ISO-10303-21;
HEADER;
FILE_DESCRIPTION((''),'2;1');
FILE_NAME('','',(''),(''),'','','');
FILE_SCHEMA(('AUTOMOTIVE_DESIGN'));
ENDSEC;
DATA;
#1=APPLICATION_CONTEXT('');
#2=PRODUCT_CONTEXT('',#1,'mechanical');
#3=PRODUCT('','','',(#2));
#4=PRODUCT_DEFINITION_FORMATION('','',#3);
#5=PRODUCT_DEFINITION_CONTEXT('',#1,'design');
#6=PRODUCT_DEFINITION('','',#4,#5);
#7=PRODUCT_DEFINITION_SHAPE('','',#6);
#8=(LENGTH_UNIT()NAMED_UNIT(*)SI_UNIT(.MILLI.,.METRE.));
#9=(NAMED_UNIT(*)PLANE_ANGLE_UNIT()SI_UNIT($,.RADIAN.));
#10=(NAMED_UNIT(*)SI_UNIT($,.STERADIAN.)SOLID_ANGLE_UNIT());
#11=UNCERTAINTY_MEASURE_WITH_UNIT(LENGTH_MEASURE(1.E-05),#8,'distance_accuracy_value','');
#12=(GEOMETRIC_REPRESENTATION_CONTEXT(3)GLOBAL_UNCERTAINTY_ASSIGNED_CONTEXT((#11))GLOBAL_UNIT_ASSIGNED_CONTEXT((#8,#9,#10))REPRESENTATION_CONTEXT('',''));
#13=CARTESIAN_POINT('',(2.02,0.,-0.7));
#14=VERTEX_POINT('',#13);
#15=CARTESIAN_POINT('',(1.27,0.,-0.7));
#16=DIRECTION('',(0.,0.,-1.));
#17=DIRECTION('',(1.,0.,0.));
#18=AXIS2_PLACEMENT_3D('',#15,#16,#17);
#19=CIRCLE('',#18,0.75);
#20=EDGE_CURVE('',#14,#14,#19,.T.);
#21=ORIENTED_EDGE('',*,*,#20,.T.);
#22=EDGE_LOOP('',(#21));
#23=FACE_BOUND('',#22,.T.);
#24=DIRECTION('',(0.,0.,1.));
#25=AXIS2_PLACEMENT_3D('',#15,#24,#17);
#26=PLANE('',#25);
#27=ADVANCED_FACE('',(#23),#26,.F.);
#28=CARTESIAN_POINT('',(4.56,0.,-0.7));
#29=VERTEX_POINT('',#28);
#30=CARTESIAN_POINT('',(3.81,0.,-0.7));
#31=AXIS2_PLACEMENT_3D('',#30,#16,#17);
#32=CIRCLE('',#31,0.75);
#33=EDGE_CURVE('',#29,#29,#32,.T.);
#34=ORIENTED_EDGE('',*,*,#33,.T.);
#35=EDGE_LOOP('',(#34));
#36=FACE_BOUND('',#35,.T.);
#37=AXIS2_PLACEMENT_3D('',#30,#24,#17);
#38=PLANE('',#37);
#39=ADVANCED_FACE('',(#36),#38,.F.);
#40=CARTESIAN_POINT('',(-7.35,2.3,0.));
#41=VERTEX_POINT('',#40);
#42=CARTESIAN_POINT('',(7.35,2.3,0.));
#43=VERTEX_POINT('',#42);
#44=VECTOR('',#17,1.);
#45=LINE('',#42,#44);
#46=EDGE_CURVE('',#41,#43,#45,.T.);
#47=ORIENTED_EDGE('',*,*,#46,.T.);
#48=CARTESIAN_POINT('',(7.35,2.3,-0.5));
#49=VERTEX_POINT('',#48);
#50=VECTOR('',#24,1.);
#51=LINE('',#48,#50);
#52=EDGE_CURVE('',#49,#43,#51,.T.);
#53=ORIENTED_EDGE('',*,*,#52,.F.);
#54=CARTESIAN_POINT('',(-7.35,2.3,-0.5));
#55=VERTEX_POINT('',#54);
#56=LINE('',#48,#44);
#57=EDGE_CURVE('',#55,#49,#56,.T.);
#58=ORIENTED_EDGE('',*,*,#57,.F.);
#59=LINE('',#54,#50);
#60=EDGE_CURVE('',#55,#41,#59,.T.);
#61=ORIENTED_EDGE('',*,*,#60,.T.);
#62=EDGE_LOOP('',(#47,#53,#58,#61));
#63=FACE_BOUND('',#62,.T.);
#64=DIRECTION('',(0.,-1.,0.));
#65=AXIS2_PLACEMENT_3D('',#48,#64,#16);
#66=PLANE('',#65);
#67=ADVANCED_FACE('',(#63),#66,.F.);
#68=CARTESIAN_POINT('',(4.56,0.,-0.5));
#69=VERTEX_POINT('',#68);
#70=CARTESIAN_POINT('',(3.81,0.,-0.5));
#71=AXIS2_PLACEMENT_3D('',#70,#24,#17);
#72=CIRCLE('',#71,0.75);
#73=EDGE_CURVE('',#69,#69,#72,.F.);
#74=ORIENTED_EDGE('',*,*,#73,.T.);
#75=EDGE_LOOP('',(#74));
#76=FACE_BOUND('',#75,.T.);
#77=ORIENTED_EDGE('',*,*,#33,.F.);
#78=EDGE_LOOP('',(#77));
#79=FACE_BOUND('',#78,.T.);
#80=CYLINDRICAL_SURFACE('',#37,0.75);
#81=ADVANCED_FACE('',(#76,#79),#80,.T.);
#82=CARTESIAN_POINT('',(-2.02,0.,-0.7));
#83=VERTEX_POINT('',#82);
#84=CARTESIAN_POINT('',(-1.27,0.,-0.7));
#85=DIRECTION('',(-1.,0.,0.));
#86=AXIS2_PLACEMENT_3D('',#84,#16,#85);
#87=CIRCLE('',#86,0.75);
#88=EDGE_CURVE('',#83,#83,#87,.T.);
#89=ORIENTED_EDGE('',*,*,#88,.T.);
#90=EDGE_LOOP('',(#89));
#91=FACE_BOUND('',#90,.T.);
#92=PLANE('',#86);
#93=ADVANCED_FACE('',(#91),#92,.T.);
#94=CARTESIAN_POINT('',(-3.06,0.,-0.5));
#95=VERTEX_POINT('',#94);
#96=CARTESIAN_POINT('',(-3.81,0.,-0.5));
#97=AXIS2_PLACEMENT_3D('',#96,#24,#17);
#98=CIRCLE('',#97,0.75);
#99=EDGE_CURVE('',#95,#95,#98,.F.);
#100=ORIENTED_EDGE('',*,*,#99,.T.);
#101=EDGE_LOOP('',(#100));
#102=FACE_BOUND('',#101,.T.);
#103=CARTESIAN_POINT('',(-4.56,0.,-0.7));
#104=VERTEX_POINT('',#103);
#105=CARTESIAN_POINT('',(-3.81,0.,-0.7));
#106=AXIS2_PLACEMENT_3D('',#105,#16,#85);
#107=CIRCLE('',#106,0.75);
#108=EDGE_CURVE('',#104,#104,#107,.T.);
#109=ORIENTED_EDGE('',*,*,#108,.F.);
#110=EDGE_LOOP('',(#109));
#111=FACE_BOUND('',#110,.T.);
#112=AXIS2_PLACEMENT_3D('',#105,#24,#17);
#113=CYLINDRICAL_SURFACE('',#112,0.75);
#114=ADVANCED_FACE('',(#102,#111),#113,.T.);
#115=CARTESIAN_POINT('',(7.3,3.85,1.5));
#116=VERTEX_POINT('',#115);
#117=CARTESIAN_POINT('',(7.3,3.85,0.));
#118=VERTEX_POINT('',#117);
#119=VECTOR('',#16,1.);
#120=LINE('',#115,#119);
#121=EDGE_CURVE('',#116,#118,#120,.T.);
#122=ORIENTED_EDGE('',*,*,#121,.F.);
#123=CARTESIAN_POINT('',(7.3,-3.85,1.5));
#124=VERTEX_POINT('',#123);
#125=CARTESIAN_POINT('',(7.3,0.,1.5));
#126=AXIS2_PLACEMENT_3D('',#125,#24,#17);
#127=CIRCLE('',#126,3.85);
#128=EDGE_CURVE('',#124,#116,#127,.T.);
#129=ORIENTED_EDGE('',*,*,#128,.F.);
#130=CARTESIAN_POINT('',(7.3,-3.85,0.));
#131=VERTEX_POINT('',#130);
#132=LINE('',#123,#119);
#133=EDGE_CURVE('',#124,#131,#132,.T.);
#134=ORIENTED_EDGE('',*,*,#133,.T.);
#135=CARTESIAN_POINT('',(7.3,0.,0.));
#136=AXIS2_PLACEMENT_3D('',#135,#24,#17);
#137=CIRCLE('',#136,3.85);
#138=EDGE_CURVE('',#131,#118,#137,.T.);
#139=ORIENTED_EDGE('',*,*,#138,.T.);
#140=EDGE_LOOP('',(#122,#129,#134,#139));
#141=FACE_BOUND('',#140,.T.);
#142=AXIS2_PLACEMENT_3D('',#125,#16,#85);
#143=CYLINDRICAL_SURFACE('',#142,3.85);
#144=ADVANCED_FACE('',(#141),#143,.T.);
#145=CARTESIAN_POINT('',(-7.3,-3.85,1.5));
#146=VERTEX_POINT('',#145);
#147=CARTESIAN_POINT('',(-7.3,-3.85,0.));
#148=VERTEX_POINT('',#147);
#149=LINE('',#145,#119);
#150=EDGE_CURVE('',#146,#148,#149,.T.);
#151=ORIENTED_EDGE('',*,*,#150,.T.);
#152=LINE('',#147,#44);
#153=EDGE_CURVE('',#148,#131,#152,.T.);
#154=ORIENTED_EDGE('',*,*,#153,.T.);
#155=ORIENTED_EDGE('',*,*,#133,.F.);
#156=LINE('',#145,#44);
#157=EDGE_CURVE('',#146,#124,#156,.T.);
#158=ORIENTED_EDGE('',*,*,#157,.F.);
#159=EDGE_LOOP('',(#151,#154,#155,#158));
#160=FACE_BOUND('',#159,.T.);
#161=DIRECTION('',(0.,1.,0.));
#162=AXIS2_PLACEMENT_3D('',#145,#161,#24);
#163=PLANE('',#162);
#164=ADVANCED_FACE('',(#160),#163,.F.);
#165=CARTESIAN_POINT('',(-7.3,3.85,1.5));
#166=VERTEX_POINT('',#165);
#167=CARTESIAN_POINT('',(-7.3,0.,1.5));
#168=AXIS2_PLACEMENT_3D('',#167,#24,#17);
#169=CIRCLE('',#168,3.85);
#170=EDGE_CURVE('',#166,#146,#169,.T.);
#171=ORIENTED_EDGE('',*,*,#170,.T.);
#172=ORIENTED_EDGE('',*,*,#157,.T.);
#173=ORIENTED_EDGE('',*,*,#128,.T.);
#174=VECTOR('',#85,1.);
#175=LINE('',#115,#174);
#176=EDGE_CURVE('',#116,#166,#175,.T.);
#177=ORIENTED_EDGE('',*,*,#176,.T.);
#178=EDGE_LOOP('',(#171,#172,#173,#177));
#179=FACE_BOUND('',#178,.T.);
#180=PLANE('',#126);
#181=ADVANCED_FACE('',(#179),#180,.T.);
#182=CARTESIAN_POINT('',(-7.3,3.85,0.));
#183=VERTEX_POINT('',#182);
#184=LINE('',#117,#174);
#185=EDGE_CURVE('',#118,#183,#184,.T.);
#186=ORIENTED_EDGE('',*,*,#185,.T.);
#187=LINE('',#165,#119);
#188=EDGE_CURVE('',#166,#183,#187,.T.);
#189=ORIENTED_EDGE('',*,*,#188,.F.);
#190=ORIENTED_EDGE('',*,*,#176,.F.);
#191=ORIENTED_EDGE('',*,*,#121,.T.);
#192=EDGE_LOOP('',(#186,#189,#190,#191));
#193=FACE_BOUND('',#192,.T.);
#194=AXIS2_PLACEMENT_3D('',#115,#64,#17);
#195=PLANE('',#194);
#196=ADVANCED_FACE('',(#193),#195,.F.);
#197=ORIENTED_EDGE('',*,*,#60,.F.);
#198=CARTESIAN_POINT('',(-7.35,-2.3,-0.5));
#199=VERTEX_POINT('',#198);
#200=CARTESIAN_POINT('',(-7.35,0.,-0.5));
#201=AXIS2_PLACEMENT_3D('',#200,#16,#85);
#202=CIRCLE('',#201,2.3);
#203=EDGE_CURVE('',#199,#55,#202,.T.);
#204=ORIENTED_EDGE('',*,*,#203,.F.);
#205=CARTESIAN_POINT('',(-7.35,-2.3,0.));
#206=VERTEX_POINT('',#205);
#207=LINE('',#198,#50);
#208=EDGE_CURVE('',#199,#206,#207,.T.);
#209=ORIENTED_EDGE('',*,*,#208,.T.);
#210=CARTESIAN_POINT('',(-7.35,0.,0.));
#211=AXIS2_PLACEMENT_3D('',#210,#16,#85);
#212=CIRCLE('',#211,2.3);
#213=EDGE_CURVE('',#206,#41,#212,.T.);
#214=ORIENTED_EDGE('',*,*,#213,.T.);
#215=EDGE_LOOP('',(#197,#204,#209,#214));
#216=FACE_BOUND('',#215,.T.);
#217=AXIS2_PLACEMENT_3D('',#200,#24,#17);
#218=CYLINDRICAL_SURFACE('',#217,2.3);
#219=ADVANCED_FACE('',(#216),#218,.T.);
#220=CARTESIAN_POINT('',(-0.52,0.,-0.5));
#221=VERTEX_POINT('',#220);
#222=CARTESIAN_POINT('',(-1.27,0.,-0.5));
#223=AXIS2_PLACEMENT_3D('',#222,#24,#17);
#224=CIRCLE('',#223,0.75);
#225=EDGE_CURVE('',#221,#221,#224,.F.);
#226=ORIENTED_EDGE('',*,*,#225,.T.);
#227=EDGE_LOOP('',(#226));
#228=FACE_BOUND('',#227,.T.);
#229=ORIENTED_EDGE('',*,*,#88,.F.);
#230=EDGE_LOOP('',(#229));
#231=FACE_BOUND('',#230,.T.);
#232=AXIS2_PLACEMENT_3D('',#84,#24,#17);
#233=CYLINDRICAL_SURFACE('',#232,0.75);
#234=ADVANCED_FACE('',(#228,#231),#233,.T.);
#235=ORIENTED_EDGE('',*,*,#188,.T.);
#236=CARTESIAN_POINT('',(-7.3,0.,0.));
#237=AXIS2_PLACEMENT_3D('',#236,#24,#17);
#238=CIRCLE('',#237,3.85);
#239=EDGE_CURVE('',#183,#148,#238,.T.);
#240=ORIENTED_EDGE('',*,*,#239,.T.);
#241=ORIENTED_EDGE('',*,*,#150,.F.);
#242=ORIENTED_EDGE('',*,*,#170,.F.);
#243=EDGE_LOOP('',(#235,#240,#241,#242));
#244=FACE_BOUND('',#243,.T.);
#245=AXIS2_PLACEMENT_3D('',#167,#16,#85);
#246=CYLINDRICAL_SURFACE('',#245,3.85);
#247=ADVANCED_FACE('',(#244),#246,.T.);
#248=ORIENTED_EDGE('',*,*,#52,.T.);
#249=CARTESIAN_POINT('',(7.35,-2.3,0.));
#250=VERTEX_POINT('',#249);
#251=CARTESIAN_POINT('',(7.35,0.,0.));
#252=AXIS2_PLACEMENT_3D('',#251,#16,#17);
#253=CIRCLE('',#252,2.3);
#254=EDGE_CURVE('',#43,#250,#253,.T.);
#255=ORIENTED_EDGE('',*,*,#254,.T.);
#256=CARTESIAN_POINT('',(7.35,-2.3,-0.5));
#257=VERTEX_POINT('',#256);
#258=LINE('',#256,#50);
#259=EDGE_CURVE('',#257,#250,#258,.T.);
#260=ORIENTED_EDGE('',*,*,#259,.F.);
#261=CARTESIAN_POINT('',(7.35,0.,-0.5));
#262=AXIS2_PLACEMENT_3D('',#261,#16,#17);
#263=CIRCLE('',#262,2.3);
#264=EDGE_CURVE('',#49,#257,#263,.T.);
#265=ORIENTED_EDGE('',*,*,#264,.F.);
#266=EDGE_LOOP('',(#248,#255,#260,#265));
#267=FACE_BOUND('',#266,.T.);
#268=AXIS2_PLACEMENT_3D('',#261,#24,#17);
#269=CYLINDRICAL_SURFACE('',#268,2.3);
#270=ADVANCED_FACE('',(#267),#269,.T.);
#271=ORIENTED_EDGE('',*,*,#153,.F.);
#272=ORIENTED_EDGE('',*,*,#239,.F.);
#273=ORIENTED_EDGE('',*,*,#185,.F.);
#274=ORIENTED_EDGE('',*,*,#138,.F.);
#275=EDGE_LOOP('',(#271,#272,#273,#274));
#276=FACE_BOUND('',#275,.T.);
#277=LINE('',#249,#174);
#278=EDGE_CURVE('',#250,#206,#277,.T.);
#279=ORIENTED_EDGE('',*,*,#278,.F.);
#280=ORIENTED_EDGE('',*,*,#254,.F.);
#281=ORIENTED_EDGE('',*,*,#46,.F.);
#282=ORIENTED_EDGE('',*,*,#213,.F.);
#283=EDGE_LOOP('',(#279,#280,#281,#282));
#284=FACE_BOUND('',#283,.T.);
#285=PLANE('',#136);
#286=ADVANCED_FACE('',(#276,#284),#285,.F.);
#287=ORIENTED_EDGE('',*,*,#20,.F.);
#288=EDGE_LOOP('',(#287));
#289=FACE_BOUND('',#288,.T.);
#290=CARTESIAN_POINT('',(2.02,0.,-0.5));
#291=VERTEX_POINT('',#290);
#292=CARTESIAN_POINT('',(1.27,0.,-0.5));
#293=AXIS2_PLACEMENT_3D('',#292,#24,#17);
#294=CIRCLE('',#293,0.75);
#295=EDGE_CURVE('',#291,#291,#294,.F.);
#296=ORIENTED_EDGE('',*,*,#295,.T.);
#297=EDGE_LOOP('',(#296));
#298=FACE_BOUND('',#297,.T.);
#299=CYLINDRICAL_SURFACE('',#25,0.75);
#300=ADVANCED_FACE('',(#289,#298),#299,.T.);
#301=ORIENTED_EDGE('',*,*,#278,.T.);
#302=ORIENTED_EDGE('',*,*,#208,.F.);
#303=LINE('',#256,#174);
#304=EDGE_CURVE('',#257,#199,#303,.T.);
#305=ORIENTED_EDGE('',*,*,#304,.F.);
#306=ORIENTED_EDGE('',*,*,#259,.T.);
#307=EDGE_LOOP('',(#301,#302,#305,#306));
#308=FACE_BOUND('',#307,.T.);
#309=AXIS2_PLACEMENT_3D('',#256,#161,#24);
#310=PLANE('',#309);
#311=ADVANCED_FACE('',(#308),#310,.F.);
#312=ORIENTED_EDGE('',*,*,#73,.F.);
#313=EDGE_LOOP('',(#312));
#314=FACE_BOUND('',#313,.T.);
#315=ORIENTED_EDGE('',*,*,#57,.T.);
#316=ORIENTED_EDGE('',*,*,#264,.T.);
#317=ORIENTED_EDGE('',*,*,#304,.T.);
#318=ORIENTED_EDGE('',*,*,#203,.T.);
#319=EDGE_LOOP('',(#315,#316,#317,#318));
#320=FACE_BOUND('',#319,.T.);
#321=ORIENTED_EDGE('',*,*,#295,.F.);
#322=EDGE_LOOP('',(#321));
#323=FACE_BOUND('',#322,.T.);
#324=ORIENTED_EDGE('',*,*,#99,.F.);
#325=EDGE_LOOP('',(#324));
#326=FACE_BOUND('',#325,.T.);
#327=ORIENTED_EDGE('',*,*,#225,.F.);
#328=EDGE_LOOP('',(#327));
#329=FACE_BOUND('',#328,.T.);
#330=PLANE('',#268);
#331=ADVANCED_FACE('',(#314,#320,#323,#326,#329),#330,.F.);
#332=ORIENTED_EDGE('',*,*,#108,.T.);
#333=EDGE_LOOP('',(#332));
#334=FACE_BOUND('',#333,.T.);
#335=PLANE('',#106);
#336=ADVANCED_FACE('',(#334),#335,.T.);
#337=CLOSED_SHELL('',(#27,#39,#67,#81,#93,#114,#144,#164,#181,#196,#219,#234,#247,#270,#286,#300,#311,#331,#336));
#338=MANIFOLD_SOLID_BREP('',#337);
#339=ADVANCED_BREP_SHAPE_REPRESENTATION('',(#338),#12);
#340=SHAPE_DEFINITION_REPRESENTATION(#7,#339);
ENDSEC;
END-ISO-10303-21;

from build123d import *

# Parameters (mm, degrees)
EXTRUDE_1_DEPTH = 1.5
EXTRUDE_2_DEPTH = 0.5
SKETCH_3_R      = 0.75
EXTRUDE_3_DEPTH = 0.2


with BuildPart() as part:
    # 草图1 → 凸台-拉伸1 (new body)
    with BuildSketch(Plane.XY):
        with BuildLine():
            Line((7.3, 3.85), (-7.3, 3.85))
            ThreePointArc((-7.3, 3.85), (-11.15, 0), (-7.3, -3.85))
            Line((-7.3, -3.85), (7.3, -3.85))
            ThreePointArc((7.3, -3.85), (11.15, 0), (7.3, 3.85))
        make_face()
    extrude(amount=EXTRUDE_1_DEPTH)

    # 草图2 → 凸台-拉伸2 (add)
    with BuildSketch(Plane(origin=(0, 0, 0), x_dir=(-1, 0, 0), z_dir=(0, 0, -1))):
        with BuildLine():
            Line((-7.35, 2.3), (7.35, 2.3))
            ThreePointArc((7.35, 2.3), (9.65, 0), (7.35, -2.3))
            Line((7.35, -2.3), (-7.35, -2.3))
            ThreePointArc((-7.35, -2.3), (-9.65, 0), (-7.35, 2.3))
        make_face()
    extrude(amount=EXTRUDE_2_DEPTH)

    # 草图3 → 凸台-拉伸3 (add)
    with BuildSketch(Plane(origin=(0, 0, -0.5), x_dir=(-1, 0, 0), z_dir=(0, 0, -1))):
        with Locations((1.27, 0)):
            Circle(SKETCH_3_R)
        with Locations((3.81, 0)):
            Circle(SKETCH_3_R)
        with Locations((-3.81, 0)):
            Circle(SKETCH_3_R)
        with Locations((-1.27, 0)):
            Circle(SKETCH_3_R)
    extrude(amount=EXTRUDE_3_DEPTH)


solid = part.part
